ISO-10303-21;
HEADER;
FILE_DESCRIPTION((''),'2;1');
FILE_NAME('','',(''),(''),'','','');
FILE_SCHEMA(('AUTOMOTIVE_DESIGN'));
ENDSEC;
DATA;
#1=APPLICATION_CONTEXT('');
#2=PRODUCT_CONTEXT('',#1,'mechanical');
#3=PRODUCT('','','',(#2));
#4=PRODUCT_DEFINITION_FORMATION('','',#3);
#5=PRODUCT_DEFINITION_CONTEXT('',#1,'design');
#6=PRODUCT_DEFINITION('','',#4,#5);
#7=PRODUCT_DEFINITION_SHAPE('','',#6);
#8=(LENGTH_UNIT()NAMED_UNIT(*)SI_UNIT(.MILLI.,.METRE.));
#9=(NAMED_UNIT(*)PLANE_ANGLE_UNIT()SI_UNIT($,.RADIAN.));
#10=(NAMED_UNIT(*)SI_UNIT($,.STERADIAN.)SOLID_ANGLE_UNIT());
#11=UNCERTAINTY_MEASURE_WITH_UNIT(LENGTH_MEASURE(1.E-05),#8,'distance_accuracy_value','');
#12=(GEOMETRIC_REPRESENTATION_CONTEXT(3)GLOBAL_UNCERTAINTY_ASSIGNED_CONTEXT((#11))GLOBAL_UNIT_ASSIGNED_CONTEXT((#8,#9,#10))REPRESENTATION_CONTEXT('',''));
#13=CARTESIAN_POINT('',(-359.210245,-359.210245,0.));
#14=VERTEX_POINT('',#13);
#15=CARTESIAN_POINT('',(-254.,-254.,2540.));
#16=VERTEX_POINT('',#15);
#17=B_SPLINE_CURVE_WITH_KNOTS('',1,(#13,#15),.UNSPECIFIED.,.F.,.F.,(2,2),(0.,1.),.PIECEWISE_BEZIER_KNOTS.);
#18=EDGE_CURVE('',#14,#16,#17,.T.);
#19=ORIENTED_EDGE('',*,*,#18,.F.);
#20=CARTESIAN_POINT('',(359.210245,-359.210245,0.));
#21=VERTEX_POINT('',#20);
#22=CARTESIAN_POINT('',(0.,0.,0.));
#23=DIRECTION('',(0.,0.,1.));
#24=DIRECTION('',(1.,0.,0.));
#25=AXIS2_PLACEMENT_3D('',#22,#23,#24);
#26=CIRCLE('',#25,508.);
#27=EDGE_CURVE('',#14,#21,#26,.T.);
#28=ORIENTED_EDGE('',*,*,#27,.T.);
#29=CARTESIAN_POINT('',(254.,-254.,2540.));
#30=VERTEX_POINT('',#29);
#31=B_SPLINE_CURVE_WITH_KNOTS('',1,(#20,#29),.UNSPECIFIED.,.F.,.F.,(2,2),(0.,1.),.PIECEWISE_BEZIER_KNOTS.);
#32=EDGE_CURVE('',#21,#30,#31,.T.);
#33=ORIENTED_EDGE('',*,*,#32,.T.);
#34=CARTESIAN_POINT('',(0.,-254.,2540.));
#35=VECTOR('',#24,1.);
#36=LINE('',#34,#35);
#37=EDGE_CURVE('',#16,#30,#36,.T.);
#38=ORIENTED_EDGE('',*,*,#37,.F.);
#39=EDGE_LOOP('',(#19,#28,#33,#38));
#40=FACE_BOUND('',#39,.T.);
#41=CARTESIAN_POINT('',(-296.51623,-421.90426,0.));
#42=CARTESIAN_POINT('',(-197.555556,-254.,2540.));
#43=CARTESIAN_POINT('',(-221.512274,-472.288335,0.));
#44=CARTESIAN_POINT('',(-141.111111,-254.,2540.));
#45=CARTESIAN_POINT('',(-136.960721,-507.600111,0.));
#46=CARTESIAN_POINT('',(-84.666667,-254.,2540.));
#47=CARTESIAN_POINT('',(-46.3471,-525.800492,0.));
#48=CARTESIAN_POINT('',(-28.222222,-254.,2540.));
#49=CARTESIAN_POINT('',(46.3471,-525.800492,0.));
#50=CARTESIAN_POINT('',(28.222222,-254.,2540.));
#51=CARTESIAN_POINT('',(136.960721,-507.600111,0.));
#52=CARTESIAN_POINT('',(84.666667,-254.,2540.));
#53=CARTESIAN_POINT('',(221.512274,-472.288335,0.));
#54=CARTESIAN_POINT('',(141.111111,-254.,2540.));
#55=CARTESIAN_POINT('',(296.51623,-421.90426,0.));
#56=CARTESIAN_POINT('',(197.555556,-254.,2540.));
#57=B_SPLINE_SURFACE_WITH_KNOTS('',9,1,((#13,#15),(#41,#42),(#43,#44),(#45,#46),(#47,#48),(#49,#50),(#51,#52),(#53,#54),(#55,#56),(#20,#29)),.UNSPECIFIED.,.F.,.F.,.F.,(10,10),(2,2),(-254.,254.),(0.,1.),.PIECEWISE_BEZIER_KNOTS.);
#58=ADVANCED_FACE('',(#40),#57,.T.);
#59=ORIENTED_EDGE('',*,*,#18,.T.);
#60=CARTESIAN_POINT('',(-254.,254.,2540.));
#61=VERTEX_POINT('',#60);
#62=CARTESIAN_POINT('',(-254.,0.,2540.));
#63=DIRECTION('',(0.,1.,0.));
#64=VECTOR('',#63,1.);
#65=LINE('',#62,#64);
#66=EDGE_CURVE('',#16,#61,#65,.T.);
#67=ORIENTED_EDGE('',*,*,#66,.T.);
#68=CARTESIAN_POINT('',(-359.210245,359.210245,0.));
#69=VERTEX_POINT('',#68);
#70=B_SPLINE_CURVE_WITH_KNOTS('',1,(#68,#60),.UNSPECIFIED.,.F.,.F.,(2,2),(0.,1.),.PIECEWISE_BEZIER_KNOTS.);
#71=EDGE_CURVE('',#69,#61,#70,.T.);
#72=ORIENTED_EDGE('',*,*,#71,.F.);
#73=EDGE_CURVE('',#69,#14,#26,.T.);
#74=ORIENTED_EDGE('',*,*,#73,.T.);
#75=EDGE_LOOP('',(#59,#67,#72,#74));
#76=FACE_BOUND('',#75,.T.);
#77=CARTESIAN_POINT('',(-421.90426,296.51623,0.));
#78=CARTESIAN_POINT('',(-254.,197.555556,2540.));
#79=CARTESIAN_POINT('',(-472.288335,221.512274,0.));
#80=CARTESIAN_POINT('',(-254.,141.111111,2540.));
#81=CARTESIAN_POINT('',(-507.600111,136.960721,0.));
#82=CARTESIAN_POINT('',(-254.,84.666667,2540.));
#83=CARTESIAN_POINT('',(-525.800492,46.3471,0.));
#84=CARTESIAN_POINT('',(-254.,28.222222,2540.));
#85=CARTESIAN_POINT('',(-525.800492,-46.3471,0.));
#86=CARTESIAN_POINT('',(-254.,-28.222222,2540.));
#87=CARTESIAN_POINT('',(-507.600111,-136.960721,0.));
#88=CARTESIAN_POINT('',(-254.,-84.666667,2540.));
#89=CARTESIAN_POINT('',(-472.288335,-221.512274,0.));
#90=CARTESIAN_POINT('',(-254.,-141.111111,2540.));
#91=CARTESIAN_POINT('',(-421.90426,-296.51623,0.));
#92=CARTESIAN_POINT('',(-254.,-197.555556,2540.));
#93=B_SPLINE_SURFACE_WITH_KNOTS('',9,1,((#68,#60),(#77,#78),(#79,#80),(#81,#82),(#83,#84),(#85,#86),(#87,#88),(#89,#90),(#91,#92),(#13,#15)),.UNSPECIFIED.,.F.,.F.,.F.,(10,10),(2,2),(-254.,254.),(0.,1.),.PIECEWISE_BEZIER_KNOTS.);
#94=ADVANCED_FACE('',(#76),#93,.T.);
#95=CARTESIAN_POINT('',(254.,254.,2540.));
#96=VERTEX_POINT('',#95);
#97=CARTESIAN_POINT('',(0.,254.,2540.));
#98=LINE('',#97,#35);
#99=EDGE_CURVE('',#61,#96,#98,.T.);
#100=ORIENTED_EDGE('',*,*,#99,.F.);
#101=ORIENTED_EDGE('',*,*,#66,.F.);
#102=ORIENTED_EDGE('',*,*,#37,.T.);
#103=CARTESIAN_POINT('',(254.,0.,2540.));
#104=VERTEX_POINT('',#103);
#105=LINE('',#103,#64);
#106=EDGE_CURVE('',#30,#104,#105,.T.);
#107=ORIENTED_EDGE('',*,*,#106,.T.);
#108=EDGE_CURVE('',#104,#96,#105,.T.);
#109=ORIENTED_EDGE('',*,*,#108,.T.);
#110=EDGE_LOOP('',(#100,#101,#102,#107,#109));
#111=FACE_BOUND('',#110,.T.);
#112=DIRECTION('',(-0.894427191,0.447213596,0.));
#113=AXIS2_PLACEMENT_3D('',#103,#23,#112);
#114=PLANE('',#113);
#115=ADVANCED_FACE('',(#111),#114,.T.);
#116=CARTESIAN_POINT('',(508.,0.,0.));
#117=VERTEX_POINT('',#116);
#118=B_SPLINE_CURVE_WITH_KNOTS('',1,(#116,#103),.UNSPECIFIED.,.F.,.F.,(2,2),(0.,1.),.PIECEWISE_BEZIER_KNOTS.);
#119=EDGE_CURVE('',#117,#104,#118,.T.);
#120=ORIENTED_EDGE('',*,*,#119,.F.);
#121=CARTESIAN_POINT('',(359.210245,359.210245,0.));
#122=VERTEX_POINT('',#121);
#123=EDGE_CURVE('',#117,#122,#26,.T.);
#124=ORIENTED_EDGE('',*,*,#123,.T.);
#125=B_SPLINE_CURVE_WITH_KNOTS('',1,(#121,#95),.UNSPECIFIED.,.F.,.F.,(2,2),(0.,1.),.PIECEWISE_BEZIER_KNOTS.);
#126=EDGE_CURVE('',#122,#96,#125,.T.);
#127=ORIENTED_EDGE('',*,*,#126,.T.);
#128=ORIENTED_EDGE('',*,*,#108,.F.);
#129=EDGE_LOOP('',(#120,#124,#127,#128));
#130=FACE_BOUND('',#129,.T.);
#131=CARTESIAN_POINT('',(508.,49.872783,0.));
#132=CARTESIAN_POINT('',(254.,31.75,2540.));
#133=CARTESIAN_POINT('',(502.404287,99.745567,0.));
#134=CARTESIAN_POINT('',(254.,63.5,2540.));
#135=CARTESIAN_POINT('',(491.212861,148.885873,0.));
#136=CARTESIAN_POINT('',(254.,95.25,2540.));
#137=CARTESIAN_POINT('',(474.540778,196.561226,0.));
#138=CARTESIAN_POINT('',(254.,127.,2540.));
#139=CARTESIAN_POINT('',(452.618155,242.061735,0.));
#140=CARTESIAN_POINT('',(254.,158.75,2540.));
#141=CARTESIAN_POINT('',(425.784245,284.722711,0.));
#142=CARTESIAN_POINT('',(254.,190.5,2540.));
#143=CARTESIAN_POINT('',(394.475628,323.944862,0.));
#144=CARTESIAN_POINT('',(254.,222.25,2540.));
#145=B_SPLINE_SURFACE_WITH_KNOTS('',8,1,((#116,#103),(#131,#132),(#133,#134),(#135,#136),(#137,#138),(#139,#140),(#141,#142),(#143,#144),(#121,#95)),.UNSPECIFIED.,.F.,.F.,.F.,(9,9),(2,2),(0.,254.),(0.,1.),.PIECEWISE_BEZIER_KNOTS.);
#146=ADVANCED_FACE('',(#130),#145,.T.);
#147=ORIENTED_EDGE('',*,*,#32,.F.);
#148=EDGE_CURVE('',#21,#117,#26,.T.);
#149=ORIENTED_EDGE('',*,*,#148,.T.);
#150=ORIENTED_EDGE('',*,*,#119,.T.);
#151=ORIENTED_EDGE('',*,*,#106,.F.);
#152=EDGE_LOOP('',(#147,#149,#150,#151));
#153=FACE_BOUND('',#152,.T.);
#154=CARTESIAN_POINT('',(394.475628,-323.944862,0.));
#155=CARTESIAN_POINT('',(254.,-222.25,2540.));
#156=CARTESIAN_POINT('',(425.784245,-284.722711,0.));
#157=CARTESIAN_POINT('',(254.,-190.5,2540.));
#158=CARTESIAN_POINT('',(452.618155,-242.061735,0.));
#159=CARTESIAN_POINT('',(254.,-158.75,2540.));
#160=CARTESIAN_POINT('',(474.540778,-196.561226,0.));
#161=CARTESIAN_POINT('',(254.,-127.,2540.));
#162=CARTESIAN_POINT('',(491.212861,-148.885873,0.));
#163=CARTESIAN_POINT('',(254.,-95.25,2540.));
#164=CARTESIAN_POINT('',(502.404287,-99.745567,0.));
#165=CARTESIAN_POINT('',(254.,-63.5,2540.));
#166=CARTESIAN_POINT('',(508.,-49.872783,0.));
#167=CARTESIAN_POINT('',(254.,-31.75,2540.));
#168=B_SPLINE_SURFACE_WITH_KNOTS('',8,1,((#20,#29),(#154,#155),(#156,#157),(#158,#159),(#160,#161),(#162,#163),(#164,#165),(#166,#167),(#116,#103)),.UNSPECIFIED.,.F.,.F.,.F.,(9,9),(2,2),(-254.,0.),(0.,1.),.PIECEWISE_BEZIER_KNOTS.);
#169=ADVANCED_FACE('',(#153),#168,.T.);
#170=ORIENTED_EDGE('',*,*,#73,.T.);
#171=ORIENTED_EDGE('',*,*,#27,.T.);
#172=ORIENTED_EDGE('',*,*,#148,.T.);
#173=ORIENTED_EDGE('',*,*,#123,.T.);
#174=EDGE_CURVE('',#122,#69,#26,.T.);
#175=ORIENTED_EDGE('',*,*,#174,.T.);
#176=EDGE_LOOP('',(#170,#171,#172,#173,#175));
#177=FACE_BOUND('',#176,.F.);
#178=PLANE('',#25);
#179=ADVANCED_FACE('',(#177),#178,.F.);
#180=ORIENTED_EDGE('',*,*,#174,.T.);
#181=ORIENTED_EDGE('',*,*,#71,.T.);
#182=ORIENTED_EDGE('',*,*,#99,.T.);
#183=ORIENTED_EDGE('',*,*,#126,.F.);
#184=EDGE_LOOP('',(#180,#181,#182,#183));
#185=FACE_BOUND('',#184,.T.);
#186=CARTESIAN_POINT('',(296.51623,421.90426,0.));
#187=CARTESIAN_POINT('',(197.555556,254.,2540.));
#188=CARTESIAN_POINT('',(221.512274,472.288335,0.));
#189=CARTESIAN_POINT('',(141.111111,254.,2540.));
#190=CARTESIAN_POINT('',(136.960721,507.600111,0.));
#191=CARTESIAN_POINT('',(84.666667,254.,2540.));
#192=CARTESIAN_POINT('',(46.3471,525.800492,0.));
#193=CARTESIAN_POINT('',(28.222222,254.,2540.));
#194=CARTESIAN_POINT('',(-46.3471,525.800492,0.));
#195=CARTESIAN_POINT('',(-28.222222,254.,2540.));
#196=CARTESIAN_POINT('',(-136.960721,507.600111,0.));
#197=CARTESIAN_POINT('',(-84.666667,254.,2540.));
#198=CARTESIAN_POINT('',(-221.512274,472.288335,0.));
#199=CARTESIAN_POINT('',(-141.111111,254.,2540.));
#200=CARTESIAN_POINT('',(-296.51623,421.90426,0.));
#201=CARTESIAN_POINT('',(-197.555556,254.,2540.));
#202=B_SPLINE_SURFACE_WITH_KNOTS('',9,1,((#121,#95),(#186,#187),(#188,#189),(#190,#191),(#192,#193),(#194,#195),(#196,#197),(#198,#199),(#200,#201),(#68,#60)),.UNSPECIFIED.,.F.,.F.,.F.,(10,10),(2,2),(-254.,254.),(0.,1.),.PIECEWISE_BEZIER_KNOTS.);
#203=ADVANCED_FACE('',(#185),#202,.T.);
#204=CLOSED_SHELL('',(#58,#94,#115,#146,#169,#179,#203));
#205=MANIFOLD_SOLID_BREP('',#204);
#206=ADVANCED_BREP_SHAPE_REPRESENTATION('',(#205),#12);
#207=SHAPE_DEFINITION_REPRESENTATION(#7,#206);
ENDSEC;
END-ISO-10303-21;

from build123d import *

# Parameters (mm, degrees)
F0_R = 508
F2_W = 508
F2_H = 508


with BuildPart() as f3:
    # F0 (on Top) → F3 section 0
    with BuildSketch(Plane.XY):
        Circle(F0_R)
    # F2 (on offset) → F3 section 1
    with BuildSketch(Plane.XY.offset(2540)):
        Rectangle(F2_W, F2_H)
    loft()


solid = f3.part
